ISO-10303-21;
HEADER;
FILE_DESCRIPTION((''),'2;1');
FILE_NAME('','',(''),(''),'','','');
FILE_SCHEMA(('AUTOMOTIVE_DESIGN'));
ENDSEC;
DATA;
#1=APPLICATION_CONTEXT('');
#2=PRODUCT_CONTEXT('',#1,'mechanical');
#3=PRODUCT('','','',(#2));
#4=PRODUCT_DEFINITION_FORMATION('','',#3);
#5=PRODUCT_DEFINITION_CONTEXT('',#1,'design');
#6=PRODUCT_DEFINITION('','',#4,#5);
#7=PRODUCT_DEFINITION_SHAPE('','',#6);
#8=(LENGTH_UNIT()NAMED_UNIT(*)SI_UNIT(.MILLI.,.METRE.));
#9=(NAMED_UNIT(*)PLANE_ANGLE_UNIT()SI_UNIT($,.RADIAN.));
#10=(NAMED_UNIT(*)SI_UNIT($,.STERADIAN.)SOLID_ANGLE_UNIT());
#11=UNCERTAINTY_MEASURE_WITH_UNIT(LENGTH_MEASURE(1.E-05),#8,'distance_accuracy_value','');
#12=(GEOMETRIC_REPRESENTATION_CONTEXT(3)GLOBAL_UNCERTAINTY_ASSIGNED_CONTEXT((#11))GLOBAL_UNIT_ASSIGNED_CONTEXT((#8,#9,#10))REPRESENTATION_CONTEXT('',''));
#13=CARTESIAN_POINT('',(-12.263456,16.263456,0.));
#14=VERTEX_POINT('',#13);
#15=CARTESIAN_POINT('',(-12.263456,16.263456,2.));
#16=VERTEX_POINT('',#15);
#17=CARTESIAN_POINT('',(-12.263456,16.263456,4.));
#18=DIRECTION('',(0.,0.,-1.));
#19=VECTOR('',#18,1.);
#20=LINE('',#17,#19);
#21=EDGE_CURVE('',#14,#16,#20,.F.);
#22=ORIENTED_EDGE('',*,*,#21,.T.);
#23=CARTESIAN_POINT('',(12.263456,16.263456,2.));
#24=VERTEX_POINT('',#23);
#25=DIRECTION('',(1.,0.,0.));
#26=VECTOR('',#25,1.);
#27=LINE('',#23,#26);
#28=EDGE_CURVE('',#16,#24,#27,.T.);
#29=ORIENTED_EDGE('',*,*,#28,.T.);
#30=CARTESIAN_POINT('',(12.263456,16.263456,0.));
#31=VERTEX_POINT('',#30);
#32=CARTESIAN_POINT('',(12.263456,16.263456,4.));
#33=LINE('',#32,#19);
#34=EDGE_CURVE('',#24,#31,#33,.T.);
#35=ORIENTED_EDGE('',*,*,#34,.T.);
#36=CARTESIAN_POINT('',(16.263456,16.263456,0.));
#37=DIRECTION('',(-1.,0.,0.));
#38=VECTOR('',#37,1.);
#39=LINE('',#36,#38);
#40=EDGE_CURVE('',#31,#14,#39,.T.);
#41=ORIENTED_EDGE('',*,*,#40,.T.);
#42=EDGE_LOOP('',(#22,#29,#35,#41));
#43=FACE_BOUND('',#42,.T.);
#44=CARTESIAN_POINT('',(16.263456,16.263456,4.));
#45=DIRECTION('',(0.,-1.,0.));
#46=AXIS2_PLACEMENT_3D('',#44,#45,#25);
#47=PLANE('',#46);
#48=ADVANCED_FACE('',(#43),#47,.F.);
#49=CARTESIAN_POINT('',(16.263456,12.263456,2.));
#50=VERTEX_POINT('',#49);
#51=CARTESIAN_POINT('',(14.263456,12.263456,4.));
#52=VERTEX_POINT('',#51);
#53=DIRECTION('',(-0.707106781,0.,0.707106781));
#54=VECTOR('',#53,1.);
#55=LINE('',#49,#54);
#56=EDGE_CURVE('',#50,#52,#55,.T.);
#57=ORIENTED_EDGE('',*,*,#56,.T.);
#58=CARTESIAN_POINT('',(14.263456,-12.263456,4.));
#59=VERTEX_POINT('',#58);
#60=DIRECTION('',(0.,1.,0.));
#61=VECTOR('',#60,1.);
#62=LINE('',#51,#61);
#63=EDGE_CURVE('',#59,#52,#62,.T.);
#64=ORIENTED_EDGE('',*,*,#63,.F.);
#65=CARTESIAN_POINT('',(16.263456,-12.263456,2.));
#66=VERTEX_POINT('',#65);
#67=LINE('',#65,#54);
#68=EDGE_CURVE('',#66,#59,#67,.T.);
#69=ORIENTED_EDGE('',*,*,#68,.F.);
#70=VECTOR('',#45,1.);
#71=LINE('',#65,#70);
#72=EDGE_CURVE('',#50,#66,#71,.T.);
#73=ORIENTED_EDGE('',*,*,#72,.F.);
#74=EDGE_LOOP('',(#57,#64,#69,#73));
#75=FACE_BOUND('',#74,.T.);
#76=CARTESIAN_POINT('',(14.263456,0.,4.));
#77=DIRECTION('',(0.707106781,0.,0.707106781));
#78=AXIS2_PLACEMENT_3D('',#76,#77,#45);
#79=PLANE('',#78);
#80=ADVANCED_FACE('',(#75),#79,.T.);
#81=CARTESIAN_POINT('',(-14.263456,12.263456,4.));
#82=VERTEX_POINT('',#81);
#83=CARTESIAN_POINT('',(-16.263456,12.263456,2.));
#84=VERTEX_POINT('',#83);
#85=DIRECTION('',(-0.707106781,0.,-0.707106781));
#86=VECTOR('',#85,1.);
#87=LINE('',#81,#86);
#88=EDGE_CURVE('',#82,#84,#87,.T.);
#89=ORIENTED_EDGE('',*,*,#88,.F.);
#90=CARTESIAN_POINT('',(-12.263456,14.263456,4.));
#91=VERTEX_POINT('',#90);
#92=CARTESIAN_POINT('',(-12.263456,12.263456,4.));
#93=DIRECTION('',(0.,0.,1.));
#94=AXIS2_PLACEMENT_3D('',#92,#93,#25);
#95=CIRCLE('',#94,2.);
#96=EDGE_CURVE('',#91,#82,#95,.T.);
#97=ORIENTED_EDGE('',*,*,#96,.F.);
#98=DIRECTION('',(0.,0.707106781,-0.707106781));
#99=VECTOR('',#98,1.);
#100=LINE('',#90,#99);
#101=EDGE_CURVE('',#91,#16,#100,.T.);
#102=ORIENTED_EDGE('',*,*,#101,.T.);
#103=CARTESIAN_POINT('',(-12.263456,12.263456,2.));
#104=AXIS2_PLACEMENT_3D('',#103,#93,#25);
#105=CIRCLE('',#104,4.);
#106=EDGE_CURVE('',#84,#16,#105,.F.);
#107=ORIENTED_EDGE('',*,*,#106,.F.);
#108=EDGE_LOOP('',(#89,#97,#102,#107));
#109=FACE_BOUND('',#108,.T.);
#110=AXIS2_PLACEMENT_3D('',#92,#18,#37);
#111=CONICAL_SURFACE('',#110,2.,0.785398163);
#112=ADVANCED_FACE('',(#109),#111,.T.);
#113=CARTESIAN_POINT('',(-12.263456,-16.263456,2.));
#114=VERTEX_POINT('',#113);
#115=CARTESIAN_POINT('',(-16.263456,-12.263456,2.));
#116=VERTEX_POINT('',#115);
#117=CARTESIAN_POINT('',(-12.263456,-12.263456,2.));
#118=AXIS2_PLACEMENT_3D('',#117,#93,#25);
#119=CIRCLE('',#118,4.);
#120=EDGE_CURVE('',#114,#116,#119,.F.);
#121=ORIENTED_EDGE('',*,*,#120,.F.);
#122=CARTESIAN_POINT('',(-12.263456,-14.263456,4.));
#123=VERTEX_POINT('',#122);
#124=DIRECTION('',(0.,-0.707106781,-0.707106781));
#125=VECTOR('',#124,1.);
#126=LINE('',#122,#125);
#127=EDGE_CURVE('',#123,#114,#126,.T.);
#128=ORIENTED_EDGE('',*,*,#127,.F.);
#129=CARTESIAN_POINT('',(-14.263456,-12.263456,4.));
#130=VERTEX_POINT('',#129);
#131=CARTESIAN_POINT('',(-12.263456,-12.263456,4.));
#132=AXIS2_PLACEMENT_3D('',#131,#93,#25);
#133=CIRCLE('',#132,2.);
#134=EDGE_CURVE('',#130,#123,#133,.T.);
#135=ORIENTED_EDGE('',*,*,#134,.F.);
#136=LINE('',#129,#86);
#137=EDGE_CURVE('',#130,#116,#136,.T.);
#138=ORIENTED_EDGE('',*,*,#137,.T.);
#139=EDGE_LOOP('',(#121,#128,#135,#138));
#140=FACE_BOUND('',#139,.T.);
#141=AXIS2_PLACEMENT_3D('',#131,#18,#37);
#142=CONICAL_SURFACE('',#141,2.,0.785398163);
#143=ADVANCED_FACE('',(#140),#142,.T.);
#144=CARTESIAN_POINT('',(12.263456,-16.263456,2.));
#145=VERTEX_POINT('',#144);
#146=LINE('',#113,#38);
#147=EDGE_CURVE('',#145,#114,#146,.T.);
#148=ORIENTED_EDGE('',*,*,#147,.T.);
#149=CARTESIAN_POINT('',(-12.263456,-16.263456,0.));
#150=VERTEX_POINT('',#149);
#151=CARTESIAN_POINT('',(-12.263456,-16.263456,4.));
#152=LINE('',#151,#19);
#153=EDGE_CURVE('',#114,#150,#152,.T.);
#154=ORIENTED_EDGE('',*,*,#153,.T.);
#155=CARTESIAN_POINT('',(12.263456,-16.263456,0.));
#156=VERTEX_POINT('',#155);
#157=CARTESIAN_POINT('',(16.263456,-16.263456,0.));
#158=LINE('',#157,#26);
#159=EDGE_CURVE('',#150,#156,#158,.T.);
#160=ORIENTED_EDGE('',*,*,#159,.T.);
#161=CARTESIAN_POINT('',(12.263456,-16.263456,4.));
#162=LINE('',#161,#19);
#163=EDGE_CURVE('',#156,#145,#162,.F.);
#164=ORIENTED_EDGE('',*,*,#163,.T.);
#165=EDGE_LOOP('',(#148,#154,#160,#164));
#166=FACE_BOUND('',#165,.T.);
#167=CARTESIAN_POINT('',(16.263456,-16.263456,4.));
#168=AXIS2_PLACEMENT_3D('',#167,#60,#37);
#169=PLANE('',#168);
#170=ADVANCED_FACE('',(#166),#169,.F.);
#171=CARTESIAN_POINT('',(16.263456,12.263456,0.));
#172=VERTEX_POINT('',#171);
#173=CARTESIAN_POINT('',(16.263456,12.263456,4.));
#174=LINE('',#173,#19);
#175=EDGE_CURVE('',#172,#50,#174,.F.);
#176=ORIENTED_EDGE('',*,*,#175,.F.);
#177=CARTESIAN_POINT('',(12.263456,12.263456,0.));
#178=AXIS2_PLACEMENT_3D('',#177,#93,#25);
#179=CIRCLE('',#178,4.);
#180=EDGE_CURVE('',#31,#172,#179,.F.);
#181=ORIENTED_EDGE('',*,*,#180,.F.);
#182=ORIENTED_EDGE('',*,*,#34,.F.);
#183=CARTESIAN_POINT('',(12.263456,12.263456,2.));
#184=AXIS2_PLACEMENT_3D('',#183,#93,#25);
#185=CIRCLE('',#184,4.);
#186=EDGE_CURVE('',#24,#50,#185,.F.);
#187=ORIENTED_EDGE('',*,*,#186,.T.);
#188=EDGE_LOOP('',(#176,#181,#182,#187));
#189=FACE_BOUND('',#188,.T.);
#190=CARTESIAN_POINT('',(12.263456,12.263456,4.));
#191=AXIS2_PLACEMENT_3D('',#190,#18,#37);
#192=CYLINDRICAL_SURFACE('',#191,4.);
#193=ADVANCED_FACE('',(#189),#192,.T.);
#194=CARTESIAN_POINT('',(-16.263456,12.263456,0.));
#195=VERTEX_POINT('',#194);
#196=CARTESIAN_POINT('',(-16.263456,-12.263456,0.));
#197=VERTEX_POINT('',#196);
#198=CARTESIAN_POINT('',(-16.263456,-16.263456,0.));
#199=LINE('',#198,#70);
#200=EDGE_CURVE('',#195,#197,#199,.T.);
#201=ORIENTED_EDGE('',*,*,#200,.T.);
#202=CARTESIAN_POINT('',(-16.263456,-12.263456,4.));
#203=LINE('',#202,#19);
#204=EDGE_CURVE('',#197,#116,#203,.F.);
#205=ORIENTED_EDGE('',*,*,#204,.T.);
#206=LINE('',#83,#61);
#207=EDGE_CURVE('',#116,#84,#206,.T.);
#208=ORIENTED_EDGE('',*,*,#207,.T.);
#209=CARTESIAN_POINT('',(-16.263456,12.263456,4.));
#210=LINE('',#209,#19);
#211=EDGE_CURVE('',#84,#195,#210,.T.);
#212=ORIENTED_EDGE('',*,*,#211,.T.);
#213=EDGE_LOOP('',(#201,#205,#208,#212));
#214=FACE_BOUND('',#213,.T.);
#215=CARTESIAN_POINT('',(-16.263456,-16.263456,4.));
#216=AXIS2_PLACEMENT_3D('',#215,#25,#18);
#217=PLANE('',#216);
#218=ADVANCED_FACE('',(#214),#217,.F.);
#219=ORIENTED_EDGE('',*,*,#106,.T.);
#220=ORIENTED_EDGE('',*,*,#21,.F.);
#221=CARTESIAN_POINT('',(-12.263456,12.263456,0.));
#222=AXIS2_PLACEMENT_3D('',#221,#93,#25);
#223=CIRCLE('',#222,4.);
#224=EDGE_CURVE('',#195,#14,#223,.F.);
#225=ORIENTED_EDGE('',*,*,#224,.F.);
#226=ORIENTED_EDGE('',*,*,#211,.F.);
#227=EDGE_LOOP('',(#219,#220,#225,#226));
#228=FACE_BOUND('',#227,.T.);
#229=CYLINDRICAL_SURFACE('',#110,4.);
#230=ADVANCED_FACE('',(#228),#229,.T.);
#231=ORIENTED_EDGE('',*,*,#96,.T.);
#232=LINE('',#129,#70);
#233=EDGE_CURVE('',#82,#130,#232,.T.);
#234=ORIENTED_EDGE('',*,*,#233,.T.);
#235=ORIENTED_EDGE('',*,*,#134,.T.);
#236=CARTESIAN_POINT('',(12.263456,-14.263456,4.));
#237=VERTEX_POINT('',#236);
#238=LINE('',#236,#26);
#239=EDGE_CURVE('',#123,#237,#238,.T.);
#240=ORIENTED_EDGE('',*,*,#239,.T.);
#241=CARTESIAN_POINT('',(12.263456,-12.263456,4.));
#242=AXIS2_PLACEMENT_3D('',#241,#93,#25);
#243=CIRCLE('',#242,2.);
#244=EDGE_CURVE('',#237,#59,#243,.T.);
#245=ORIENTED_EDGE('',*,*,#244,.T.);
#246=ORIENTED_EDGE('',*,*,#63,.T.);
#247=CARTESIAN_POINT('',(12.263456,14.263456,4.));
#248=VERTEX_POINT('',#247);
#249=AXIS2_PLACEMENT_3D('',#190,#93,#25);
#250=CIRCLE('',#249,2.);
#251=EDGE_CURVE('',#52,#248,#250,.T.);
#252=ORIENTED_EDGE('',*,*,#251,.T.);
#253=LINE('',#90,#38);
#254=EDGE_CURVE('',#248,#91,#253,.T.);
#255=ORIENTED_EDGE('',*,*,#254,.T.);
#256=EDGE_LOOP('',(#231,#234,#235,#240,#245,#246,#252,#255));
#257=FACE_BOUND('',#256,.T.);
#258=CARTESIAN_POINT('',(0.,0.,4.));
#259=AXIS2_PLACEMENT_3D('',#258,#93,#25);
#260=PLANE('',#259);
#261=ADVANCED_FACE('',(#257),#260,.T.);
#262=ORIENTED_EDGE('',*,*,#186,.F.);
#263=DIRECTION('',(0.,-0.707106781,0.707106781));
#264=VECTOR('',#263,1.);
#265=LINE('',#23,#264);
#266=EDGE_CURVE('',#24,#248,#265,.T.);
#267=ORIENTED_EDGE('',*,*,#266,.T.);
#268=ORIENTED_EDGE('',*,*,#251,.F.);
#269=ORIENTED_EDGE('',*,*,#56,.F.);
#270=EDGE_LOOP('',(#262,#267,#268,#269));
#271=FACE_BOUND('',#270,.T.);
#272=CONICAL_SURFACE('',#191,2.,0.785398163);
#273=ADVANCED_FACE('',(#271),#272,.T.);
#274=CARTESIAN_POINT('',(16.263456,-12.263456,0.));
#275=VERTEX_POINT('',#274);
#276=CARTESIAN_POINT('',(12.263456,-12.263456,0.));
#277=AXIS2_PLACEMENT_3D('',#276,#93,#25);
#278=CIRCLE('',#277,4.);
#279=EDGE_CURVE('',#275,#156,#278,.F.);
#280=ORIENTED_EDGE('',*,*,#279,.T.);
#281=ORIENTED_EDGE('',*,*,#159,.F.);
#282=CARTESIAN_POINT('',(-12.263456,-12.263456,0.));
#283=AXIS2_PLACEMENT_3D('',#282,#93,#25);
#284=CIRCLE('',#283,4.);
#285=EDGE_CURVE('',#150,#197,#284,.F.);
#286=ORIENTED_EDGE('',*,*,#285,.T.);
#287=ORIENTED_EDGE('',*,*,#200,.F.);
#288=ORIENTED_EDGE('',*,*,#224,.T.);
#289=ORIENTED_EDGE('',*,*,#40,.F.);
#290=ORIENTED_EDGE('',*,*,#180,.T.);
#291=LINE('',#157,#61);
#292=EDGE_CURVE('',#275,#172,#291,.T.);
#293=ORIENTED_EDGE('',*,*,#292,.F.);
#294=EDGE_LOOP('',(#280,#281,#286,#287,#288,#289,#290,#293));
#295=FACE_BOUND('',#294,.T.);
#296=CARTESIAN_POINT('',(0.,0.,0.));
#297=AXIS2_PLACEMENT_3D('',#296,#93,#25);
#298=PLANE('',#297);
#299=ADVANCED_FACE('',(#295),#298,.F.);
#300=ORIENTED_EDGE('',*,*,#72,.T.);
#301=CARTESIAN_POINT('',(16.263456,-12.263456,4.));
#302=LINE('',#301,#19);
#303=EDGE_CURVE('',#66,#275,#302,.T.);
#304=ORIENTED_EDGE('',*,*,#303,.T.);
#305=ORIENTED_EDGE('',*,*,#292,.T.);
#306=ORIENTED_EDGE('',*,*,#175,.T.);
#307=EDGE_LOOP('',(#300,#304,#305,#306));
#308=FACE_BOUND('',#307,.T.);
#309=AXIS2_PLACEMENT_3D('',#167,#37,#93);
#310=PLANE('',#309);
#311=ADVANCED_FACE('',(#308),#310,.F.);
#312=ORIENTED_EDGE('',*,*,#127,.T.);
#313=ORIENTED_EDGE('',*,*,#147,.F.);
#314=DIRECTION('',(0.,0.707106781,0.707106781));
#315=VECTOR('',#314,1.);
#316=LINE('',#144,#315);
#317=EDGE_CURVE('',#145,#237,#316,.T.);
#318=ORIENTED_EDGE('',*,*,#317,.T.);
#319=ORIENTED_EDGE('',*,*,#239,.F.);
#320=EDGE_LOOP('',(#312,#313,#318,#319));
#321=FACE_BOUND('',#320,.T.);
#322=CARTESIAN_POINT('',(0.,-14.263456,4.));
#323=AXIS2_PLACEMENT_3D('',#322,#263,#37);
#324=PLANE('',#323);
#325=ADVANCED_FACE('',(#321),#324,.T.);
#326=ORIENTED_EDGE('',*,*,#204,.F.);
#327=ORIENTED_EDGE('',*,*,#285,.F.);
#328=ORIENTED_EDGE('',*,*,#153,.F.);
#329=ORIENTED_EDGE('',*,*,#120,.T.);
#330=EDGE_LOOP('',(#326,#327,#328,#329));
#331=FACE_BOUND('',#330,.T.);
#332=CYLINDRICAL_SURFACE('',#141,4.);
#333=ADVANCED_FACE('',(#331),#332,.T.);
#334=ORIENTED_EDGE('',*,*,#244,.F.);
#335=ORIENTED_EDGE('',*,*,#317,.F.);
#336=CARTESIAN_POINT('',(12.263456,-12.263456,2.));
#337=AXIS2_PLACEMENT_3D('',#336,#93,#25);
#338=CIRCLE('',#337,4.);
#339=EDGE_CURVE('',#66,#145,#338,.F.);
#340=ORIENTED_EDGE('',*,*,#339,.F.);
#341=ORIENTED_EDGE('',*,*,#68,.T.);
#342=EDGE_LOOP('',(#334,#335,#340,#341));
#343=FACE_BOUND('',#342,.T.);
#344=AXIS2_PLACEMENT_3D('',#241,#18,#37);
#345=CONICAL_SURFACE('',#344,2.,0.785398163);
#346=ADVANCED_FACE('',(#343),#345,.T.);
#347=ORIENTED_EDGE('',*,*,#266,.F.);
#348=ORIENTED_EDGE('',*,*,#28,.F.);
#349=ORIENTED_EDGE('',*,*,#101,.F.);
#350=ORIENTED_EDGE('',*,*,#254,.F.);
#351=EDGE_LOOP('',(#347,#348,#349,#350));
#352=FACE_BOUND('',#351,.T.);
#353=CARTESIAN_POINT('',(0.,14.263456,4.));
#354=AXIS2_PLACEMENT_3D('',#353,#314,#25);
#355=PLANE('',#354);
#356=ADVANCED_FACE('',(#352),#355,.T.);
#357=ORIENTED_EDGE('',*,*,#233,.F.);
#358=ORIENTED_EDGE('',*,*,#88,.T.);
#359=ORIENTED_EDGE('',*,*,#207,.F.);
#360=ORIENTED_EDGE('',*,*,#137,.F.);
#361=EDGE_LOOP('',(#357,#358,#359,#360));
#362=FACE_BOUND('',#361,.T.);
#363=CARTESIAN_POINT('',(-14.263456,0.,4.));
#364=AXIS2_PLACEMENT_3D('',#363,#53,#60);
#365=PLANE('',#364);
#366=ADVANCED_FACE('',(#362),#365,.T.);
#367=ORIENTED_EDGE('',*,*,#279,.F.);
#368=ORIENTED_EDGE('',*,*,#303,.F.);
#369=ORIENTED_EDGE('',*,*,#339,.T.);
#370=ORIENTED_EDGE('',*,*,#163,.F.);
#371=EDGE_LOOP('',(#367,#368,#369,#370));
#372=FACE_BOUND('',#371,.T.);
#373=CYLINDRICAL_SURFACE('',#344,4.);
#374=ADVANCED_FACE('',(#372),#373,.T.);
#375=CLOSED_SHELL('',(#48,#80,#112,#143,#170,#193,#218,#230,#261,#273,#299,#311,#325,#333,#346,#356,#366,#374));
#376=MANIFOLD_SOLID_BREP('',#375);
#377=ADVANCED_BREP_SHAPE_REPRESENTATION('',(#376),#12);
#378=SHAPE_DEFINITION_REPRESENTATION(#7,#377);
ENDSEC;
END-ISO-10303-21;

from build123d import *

# Parameters (mm, degrees)
SKETCH1_W           = 32.526911934
SKETCH1_H           = 32.526911934
BOSS_EXTRUDE1_DEPTH = 4
FILLET1_R           = 4
CHAMFER1_SIZE       = 2


with BuildPart() as part:
    # Sketch1 → Boss-Extrude1 (new body)
    with BuildSketch(Plane.XY):
        Rectangle(SKETCH1_W, SKETCH1_H)
    extrude(amount=BOSS_EXTRUDE1_DEPTH)

    # Fillet1
    fillet1_edges = [part.edges().sort_by_distance(p)[0] for p in [
        (-16.263455967, 16.263455967, 2),
        (16.263455967, 16.263455967, 2),
        (16.263455967, -16.263455967, 2),
        (-16.263455967, -16.263455967, 2),
    ]]
    fillet(fillet1_edges, radius=FILLET1_R)

    # Chamfer1
    chamfer1_edges = [part.edges().sort_by_distance(p)[0] for p in [
        (0, -16.263455967, 4),
        (-16.263455967, 0, 4),
        (16.263455967, 0, 4),
        (0, 16.263455967, 4),
        (-15.091883092, 15.091883092, 4),
        (15.091883092, 15.091883092, 4),
        (15.091883092, -15.091883092, 4),
        (-15.091883092, -15.091883092, 4),
    ]]
    chamfer(chamfer1_edges, length=CHAMFER1_SIZE)


solid = part.part
